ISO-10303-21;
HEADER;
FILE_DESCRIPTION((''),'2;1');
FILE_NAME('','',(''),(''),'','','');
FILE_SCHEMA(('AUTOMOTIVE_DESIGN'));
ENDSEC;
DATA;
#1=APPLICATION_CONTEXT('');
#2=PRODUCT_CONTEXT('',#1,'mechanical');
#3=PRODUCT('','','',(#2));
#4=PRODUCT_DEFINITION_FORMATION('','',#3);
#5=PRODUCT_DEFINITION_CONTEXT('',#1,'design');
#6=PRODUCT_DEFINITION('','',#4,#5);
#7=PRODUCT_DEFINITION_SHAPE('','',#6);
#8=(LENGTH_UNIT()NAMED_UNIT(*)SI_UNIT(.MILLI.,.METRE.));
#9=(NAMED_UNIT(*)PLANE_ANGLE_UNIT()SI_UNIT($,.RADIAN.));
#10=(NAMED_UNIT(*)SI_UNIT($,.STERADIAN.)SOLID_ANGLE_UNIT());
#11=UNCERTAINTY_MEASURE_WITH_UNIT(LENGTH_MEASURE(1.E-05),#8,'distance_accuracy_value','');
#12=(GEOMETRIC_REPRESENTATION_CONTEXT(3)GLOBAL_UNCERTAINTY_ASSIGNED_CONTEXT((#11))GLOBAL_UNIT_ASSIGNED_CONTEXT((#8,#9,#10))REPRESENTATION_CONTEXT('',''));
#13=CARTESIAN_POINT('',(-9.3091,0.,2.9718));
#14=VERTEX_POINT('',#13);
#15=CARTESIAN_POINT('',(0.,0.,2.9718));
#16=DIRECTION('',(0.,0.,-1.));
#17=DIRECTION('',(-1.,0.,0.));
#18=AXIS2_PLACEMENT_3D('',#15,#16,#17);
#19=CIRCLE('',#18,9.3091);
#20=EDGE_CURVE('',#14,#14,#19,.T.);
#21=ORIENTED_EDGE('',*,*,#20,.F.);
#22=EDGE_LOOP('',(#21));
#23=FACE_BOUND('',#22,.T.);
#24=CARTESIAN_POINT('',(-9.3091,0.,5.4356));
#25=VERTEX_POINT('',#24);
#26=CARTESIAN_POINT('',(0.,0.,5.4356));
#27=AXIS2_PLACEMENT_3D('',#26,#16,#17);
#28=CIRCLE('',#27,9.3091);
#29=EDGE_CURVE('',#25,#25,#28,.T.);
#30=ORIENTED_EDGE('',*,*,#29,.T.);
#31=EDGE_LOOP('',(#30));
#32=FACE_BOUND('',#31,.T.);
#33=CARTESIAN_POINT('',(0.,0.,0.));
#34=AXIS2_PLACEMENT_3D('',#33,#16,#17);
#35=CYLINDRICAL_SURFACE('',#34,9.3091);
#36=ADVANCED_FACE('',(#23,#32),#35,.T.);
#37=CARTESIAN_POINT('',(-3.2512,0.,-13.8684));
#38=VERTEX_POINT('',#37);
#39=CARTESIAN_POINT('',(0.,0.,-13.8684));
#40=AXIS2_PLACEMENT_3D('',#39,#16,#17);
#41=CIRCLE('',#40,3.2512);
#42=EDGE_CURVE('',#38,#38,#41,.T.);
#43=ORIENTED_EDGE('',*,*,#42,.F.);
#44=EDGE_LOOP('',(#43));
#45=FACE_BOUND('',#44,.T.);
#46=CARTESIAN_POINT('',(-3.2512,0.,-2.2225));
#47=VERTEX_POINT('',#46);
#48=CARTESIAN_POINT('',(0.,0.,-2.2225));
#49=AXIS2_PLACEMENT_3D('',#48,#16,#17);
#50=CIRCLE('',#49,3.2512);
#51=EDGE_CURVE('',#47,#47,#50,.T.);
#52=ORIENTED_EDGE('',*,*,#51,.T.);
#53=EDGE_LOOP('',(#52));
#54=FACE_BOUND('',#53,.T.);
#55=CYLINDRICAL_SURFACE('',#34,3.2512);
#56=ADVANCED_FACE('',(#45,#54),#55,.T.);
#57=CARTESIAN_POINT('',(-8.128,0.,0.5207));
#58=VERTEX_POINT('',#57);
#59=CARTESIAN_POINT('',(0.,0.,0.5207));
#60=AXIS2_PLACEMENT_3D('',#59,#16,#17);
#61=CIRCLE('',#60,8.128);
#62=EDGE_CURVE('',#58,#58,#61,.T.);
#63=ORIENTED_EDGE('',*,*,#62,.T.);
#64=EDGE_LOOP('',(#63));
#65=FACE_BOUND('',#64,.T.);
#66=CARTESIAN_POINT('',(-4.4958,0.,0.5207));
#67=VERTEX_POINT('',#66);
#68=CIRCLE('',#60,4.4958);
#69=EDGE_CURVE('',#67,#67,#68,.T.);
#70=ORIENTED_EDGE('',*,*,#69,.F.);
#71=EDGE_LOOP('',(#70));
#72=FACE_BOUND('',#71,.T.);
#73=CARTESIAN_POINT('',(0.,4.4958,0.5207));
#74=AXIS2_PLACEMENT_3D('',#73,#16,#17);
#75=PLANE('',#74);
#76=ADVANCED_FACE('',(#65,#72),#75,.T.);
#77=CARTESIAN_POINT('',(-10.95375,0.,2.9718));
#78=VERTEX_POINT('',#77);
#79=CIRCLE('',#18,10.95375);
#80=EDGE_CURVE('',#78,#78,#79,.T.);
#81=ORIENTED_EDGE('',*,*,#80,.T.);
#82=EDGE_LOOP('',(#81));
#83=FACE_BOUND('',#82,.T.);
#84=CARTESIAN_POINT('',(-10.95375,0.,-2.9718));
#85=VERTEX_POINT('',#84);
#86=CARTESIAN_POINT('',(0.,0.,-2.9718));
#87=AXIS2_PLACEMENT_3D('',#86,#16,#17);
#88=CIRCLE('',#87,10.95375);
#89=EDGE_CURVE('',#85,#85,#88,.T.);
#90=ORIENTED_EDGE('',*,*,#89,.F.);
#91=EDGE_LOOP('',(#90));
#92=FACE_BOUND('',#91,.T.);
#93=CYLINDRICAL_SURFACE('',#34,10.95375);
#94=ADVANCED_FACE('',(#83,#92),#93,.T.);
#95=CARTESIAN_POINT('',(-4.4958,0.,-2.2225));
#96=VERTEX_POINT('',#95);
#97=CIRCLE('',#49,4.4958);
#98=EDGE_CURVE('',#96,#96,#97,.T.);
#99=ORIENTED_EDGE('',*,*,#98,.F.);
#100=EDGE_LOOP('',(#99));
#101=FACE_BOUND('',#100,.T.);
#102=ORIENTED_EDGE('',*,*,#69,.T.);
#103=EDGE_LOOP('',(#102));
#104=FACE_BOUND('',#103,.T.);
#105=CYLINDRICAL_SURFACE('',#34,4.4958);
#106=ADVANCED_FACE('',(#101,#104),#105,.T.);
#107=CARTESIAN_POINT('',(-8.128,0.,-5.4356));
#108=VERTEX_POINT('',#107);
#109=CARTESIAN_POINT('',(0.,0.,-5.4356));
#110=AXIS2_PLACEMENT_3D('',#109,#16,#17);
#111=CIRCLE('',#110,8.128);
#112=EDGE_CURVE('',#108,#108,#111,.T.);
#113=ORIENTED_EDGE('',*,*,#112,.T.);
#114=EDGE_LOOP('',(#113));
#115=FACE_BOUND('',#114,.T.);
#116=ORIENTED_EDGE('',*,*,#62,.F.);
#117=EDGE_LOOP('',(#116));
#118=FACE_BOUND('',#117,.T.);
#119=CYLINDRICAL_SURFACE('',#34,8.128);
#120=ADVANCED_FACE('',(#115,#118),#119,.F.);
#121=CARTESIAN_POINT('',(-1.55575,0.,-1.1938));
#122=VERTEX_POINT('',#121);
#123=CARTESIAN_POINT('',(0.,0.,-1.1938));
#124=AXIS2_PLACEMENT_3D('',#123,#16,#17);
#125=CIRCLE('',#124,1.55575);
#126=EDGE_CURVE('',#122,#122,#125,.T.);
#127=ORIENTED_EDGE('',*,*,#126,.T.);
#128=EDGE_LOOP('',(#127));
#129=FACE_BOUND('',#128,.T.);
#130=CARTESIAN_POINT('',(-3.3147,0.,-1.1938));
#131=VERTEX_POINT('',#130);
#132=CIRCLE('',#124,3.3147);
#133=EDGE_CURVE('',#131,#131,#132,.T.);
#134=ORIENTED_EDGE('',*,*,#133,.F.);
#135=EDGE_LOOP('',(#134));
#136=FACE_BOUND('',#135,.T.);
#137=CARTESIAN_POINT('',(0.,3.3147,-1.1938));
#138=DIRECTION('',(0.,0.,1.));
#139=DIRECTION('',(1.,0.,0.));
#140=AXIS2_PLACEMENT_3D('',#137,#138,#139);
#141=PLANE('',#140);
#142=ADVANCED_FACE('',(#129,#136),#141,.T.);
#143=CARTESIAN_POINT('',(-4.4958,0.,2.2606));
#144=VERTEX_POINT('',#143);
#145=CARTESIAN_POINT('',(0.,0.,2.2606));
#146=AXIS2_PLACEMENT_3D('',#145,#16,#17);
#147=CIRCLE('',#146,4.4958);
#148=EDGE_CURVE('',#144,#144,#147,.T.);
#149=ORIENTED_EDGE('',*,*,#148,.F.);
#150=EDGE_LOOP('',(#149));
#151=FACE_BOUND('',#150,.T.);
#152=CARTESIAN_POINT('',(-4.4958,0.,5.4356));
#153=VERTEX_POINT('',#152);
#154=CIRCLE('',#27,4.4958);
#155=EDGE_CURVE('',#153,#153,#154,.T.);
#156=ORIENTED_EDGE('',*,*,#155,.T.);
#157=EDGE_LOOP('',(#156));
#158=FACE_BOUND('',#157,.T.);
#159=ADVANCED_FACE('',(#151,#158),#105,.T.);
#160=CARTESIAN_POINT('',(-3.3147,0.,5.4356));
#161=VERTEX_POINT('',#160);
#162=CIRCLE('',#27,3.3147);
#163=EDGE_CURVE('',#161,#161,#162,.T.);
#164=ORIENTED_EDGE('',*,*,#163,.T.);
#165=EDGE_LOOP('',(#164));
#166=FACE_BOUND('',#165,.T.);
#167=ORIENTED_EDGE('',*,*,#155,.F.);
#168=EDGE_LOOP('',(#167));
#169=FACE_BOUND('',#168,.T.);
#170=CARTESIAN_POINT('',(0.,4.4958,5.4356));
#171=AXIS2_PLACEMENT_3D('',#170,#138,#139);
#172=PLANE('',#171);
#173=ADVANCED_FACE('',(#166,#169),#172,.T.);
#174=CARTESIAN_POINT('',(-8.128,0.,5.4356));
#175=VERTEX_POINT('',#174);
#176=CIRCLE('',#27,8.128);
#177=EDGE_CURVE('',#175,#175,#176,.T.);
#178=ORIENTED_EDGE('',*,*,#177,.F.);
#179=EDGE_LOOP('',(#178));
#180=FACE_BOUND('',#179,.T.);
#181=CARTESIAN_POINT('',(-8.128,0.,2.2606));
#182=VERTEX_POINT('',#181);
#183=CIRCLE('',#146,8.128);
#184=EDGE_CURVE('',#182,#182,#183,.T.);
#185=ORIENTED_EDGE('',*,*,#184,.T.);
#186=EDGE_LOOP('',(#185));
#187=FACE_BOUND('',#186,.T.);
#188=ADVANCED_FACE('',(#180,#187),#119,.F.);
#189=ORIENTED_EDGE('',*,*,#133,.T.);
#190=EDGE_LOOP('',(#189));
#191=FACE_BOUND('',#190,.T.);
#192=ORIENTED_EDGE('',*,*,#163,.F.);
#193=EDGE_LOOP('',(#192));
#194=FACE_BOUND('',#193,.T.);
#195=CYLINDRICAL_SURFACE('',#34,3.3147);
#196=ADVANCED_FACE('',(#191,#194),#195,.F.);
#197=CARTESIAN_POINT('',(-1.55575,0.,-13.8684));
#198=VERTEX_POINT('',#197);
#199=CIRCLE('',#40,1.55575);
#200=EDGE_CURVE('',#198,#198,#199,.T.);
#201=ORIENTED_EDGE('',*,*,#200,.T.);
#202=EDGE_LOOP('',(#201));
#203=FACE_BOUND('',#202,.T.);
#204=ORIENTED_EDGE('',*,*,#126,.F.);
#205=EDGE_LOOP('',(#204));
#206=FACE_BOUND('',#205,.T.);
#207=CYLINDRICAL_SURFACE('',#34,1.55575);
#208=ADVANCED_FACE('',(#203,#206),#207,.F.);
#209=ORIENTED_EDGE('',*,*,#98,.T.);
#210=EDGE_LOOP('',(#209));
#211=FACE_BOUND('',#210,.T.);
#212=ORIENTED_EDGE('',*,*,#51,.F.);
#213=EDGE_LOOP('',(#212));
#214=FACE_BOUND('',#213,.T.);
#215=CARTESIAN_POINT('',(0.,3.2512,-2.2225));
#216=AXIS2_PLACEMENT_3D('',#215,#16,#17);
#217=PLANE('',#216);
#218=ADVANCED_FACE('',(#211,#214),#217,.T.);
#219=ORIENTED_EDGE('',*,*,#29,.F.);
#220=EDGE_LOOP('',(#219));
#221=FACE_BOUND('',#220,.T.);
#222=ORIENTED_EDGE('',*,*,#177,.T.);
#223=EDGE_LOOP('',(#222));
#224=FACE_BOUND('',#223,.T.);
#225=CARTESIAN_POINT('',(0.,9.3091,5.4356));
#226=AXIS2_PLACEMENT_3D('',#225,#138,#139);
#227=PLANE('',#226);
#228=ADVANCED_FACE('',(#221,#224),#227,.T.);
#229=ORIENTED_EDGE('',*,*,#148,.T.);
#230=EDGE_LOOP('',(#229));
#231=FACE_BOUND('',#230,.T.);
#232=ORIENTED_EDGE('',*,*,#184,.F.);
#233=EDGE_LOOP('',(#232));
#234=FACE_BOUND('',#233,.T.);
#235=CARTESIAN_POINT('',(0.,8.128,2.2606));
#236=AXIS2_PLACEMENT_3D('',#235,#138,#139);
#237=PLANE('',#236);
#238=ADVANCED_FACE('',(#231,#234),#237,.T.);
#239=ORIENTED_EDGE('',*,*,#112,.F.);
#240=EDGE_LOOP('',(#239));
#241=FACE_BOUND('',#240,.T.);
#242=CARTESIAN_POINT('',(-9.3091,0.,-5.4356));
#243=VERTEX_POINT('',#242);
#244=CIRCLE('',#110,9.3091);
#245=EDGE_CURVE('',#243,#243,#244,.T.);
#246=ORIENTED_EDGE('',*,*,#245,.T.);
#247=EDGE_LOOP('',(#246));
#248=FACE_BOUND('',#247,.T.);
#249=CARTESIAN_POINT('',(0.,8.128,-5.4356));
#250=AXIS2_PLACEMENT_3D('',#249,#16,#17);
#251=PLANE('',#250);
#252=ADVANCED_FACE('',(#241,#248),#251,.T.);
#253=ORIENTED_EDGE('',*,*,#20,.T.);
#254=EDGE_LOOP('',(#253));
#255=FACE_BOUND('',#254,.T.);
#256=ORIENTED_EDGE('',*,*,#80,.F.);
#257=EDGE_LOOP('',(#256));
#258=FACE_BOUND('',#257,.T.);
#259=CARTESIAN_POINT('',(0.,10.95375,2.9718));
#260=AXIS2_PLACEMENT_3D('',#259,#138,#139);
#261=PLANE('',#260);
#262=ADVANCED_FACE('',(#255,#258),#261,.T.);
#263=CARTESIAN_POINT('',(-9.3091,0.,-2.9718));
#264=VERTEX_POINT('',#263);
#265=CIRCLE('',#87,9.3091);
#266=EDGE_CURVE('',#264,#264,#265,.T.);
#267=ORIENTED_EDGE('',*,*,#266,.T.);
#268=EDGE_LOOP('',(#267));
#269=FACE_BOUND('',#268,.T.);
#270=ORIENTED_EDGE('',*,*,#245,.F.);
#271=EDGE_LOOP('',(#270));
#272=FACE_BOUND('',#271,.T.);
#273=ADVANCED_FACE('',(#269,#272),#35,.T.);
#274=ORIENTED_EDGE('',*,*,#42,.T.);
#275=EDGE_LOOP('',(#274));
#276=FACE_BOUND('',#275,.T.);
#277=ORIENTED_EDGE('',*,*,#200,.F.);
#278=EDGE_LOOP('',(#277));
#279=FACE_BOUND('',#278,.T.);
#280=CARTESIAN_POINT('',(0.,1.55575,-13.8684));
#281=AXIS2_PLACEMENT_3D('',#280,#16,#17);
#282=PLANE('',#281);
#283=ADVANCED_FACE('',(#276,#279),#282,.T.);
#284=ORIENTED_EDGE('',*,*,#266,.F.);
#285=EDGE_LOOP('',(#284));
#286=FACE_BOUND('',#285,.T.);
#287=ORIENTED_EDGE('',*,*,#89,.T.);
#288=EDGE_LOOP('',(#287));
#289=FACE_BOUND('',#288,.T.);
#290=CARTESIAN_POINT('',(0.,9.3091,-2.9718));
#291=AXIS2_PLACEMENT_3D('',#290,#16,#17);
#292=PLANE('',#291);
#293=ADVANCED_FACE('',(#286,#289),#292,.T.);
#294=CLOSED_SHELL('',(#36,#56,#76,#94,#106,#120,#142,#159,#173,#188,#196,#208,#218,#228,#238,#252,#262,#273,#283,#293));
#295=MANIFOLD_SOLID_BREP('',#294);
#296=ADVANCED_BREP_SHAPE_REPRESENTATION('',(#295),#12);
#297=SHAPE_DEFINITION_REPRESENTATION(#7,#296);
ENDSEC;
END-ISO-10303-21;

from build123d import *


with BuildPart() as part:
    # Sketch1 → Revolve1 (revolve)
    with BuildSketch(Plane(origin=(0, 0, 0), x_dir=(0, 0, -1), z_dir=(1, 0, 0)), mode=Mode.PRIVATE) as revolve1_sk:
        Polygon((2.9718, 10.95375), (-2.9718, 10.95375), (-2.9718, 9.3091), (-5.4356, 9.3091), (-5.4356, 8.128), (-2.2606, 8.128), (-2.2606, 4.4958), (-5.4356, 4.4958), (-5.4356, 3.3147), (1.1938, 3.3147), (1.1938, 1.55575), (13.8684, 1.55575), (13.8684, 3.2512), (2.2225, 3.2512), (2.2225, 4.4958), (-0.5207, 4.4958), (-0.5207, 8.128), (5.4356, 8.128), (5.4356, 9.3091), (2.9718, 9.3091), align=None)
    revolve(revolve1_sk.sketch.rotate(Axis((0, 0, 0), (0, 0, 1)), 90), axis=Axis((0, 0, 0), (0, 0, 1)))


solid = part.part
